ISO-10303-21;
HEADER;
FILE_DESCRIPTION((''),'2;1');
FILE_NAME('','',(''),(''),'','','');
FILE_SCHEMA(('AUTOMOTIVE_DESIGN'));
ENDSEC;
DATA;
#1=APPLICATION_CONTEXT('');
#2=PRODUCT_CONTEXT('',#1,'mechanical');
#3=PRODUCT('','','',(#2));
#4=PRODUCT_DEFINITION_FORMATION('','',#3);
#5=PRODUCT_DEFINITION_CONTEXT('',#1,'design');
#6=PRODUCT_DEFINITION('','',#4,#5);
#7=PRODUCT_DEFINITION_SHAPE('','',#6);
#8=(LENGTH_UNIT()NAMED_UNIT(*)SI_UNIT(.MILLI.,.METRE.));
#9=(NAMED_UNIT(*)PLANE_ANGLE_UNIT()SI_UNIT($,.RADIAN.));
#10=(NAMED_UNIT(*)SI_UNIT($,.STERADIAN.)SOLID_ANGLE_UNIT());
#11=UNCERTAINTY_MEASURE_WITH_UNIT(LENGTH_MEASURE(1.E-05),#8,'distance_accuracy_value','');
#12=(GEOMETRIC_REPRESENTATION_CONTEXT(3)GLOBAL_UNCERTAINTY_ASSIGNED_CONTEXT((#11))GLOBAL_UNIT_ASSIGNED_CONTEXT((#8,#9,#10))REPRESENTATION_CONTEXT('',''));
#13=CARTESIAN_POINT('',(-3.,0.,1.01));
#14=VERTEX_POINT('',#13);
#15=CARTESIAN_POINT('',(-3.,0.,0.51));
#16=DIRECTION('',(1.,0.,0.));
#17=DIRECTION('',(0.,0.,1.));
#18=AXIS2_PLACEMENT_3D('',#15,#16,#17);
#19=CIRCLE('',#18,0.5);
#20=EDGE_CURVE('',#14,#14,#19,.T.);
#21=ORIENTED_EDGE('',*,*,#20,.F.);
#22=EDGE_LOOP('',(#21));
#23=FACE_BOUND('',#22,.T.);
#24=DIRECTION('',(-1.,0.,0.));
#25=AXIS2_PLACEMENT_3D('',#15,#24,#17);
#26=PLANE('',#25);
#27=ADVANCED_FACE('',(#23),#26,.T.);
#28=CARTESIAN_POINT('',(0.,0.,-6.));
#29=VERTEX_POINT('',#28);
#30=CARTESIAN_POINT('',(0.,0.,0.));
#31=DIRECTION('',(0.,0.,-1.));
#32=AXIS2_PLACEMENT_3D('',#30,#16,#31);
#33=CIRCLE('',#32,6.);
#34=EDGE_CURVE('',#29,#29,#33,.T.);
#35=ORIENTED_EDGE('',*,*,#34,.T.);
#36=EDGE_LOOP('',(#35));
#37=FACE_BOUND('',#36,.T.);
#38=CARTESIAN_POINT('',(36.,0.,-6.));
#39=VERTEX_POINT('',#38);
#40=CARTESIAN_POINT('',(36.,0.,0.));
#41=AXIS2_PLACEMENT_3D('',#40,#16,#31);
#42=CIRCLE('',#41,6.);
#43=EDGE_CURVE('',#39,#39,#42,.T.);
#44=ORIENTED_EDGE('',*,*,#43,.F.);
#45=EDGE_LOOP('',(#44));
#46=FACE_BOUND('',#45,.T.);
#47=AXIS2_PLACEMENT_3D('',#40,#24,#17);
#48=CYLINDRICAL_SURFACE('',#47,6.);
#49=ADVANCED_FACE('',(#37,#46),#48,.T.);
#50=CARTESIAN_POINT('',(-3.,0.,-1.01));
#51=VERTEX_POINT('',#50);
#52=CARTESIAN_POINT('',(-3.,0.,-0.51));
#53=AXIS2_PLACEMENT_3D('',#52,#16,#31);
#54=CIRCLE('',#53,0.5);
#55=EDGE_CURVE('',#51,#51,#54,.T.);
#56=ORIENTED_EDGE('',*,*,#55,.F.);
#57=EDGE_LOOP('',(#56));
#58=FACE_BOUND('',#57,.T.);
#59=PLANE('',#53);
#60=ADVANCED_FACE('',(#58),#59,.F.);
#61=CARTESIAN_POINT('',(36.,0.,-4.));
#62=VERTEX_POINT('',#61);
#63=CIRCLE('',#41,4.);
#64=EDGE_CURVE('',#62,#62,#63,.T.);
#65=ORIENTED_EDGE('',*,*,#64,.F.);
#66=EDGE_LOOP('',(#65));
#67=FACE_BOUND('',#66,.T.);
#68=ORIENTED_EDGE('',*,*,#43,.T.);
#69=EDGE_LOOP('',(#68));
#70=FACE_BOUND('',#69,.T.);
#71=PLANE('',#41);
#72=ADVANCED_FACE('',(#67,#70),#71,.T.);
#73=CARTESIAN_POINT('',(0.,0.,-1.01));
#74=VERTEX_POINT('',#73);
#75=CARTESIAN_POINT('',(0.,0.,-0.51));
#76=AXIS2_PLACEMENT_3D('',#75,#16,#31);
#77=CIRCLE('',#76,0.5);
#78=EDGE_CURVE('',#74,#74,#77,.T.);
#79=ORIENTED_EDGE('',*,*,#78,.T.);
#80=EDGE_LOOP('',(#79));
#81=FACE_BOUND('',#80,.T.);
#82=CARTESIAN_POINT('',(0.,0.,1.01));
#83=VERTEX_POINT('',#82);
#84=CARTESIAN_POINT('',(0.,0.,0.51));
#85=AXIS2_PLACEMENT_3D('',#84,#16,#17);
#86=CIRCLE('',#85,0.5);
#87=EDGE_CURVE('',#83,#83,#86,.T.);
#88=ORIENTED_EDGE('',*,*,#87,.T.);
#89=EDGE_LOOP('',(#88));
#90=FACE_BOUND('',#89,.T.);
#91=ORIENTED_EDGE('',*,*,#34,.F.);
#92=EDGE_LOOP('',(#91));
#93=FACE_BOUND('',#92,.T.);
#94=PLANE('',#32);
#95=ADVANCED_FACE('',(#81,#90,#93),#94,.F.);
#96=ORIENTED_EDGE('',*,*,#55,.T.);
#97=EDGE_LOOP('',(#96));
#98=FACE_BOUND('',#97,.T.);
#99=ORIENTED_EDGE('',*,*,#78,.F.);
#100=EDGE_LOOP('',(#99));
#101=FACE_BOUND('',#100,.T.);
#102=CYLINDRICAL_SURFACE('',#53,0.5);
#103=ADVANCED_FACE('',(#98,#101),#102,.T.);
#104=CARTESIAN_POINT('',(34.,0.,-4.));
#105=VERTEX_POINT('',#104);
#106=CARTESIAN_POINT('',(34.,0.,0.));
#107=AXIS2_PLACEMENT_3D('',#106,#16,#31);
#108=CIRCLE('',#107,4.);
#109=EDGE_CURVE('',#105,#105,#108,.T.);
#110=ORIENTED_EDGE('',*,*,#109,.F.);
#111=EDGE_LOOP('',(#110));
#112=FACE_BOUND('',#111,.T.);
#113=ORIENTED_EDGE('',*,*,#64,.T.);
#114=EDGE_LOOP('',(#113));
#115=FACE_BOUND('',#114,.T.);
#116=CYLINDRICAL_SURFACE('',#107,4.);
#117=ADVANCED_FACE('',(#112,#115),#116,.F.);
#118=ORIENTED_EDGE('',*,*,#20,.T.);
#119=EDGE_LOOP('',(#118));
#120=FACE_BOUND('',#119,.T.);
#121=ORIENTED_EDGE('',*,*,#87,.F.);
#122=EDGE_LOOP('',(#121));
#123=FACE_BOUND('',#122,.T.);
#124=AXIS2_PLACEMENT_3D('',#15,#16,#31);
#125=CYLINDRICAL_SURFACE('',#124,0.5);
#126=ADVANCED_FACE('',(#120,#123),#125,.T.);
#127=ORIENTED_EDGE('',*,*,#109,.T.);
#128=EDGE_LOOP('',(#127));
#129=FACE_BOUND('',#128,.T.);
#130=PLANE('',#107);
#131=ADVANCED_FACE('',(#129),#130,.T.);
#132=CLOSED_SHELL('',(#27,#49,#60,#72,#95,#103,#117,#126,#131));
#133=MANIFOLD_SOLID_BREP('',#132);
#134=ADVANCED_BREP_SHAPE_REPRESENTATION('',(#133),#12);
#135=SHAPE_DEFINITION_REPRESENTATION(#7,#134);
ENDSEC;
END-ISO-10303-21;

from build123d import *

# Parameters (mm, degrees)
SKETCH2_R           = 6
BOSS_EXTRUDE1_DEPTH = 36
SKETCH3_R           = 4
CUT_EXTRUDE1_DEPTH  = 2
SKETCH4_R           = 0.5
BOSS_EXTRUDE4_DEPTH = 3


with BuildPart() as part:
    # Sketch2 → Boss-Extrude1 (new body)
    with BuildSketch(Plane(origin=(0, 0, 0), x_dir=(0, 0, -1), z_dir=(1, 0, 0))):
        Circle(SKETCH2_R)
    extrude(amount=BOSS_EXTRUDE1_DEPTH)

    # Sketch3 → Cut-Extrude1 (cut)
    with BuildSketch(Plane(origin=(36, 0, 0), x_dir=(0, 0, -1), z_dir=(1, 0, 0))):
        Circle(SKETCH3_R)
    extrude(amount=-CUT_EXTRUDE1_DEPTH, mode=Mode.SUBTRACT)

    # Sketch4 → Boss-Extrude4 (add)
    with BuildSketch(Plane(origin=(0, 0, 0), x_dir=(0, 0, -1), z_dir=(1, 0, 0))):
        with Locations((0.51, 0)):
            Circle(SKETCH4_R)
        with Locations(Location((-0.51, 0, 0), (0, 0, 180))):
            Circle(SKETCH4_R)
    extrude(amount=-BOSS_EXTRUDE4_DEPTH)


solid = part.part
